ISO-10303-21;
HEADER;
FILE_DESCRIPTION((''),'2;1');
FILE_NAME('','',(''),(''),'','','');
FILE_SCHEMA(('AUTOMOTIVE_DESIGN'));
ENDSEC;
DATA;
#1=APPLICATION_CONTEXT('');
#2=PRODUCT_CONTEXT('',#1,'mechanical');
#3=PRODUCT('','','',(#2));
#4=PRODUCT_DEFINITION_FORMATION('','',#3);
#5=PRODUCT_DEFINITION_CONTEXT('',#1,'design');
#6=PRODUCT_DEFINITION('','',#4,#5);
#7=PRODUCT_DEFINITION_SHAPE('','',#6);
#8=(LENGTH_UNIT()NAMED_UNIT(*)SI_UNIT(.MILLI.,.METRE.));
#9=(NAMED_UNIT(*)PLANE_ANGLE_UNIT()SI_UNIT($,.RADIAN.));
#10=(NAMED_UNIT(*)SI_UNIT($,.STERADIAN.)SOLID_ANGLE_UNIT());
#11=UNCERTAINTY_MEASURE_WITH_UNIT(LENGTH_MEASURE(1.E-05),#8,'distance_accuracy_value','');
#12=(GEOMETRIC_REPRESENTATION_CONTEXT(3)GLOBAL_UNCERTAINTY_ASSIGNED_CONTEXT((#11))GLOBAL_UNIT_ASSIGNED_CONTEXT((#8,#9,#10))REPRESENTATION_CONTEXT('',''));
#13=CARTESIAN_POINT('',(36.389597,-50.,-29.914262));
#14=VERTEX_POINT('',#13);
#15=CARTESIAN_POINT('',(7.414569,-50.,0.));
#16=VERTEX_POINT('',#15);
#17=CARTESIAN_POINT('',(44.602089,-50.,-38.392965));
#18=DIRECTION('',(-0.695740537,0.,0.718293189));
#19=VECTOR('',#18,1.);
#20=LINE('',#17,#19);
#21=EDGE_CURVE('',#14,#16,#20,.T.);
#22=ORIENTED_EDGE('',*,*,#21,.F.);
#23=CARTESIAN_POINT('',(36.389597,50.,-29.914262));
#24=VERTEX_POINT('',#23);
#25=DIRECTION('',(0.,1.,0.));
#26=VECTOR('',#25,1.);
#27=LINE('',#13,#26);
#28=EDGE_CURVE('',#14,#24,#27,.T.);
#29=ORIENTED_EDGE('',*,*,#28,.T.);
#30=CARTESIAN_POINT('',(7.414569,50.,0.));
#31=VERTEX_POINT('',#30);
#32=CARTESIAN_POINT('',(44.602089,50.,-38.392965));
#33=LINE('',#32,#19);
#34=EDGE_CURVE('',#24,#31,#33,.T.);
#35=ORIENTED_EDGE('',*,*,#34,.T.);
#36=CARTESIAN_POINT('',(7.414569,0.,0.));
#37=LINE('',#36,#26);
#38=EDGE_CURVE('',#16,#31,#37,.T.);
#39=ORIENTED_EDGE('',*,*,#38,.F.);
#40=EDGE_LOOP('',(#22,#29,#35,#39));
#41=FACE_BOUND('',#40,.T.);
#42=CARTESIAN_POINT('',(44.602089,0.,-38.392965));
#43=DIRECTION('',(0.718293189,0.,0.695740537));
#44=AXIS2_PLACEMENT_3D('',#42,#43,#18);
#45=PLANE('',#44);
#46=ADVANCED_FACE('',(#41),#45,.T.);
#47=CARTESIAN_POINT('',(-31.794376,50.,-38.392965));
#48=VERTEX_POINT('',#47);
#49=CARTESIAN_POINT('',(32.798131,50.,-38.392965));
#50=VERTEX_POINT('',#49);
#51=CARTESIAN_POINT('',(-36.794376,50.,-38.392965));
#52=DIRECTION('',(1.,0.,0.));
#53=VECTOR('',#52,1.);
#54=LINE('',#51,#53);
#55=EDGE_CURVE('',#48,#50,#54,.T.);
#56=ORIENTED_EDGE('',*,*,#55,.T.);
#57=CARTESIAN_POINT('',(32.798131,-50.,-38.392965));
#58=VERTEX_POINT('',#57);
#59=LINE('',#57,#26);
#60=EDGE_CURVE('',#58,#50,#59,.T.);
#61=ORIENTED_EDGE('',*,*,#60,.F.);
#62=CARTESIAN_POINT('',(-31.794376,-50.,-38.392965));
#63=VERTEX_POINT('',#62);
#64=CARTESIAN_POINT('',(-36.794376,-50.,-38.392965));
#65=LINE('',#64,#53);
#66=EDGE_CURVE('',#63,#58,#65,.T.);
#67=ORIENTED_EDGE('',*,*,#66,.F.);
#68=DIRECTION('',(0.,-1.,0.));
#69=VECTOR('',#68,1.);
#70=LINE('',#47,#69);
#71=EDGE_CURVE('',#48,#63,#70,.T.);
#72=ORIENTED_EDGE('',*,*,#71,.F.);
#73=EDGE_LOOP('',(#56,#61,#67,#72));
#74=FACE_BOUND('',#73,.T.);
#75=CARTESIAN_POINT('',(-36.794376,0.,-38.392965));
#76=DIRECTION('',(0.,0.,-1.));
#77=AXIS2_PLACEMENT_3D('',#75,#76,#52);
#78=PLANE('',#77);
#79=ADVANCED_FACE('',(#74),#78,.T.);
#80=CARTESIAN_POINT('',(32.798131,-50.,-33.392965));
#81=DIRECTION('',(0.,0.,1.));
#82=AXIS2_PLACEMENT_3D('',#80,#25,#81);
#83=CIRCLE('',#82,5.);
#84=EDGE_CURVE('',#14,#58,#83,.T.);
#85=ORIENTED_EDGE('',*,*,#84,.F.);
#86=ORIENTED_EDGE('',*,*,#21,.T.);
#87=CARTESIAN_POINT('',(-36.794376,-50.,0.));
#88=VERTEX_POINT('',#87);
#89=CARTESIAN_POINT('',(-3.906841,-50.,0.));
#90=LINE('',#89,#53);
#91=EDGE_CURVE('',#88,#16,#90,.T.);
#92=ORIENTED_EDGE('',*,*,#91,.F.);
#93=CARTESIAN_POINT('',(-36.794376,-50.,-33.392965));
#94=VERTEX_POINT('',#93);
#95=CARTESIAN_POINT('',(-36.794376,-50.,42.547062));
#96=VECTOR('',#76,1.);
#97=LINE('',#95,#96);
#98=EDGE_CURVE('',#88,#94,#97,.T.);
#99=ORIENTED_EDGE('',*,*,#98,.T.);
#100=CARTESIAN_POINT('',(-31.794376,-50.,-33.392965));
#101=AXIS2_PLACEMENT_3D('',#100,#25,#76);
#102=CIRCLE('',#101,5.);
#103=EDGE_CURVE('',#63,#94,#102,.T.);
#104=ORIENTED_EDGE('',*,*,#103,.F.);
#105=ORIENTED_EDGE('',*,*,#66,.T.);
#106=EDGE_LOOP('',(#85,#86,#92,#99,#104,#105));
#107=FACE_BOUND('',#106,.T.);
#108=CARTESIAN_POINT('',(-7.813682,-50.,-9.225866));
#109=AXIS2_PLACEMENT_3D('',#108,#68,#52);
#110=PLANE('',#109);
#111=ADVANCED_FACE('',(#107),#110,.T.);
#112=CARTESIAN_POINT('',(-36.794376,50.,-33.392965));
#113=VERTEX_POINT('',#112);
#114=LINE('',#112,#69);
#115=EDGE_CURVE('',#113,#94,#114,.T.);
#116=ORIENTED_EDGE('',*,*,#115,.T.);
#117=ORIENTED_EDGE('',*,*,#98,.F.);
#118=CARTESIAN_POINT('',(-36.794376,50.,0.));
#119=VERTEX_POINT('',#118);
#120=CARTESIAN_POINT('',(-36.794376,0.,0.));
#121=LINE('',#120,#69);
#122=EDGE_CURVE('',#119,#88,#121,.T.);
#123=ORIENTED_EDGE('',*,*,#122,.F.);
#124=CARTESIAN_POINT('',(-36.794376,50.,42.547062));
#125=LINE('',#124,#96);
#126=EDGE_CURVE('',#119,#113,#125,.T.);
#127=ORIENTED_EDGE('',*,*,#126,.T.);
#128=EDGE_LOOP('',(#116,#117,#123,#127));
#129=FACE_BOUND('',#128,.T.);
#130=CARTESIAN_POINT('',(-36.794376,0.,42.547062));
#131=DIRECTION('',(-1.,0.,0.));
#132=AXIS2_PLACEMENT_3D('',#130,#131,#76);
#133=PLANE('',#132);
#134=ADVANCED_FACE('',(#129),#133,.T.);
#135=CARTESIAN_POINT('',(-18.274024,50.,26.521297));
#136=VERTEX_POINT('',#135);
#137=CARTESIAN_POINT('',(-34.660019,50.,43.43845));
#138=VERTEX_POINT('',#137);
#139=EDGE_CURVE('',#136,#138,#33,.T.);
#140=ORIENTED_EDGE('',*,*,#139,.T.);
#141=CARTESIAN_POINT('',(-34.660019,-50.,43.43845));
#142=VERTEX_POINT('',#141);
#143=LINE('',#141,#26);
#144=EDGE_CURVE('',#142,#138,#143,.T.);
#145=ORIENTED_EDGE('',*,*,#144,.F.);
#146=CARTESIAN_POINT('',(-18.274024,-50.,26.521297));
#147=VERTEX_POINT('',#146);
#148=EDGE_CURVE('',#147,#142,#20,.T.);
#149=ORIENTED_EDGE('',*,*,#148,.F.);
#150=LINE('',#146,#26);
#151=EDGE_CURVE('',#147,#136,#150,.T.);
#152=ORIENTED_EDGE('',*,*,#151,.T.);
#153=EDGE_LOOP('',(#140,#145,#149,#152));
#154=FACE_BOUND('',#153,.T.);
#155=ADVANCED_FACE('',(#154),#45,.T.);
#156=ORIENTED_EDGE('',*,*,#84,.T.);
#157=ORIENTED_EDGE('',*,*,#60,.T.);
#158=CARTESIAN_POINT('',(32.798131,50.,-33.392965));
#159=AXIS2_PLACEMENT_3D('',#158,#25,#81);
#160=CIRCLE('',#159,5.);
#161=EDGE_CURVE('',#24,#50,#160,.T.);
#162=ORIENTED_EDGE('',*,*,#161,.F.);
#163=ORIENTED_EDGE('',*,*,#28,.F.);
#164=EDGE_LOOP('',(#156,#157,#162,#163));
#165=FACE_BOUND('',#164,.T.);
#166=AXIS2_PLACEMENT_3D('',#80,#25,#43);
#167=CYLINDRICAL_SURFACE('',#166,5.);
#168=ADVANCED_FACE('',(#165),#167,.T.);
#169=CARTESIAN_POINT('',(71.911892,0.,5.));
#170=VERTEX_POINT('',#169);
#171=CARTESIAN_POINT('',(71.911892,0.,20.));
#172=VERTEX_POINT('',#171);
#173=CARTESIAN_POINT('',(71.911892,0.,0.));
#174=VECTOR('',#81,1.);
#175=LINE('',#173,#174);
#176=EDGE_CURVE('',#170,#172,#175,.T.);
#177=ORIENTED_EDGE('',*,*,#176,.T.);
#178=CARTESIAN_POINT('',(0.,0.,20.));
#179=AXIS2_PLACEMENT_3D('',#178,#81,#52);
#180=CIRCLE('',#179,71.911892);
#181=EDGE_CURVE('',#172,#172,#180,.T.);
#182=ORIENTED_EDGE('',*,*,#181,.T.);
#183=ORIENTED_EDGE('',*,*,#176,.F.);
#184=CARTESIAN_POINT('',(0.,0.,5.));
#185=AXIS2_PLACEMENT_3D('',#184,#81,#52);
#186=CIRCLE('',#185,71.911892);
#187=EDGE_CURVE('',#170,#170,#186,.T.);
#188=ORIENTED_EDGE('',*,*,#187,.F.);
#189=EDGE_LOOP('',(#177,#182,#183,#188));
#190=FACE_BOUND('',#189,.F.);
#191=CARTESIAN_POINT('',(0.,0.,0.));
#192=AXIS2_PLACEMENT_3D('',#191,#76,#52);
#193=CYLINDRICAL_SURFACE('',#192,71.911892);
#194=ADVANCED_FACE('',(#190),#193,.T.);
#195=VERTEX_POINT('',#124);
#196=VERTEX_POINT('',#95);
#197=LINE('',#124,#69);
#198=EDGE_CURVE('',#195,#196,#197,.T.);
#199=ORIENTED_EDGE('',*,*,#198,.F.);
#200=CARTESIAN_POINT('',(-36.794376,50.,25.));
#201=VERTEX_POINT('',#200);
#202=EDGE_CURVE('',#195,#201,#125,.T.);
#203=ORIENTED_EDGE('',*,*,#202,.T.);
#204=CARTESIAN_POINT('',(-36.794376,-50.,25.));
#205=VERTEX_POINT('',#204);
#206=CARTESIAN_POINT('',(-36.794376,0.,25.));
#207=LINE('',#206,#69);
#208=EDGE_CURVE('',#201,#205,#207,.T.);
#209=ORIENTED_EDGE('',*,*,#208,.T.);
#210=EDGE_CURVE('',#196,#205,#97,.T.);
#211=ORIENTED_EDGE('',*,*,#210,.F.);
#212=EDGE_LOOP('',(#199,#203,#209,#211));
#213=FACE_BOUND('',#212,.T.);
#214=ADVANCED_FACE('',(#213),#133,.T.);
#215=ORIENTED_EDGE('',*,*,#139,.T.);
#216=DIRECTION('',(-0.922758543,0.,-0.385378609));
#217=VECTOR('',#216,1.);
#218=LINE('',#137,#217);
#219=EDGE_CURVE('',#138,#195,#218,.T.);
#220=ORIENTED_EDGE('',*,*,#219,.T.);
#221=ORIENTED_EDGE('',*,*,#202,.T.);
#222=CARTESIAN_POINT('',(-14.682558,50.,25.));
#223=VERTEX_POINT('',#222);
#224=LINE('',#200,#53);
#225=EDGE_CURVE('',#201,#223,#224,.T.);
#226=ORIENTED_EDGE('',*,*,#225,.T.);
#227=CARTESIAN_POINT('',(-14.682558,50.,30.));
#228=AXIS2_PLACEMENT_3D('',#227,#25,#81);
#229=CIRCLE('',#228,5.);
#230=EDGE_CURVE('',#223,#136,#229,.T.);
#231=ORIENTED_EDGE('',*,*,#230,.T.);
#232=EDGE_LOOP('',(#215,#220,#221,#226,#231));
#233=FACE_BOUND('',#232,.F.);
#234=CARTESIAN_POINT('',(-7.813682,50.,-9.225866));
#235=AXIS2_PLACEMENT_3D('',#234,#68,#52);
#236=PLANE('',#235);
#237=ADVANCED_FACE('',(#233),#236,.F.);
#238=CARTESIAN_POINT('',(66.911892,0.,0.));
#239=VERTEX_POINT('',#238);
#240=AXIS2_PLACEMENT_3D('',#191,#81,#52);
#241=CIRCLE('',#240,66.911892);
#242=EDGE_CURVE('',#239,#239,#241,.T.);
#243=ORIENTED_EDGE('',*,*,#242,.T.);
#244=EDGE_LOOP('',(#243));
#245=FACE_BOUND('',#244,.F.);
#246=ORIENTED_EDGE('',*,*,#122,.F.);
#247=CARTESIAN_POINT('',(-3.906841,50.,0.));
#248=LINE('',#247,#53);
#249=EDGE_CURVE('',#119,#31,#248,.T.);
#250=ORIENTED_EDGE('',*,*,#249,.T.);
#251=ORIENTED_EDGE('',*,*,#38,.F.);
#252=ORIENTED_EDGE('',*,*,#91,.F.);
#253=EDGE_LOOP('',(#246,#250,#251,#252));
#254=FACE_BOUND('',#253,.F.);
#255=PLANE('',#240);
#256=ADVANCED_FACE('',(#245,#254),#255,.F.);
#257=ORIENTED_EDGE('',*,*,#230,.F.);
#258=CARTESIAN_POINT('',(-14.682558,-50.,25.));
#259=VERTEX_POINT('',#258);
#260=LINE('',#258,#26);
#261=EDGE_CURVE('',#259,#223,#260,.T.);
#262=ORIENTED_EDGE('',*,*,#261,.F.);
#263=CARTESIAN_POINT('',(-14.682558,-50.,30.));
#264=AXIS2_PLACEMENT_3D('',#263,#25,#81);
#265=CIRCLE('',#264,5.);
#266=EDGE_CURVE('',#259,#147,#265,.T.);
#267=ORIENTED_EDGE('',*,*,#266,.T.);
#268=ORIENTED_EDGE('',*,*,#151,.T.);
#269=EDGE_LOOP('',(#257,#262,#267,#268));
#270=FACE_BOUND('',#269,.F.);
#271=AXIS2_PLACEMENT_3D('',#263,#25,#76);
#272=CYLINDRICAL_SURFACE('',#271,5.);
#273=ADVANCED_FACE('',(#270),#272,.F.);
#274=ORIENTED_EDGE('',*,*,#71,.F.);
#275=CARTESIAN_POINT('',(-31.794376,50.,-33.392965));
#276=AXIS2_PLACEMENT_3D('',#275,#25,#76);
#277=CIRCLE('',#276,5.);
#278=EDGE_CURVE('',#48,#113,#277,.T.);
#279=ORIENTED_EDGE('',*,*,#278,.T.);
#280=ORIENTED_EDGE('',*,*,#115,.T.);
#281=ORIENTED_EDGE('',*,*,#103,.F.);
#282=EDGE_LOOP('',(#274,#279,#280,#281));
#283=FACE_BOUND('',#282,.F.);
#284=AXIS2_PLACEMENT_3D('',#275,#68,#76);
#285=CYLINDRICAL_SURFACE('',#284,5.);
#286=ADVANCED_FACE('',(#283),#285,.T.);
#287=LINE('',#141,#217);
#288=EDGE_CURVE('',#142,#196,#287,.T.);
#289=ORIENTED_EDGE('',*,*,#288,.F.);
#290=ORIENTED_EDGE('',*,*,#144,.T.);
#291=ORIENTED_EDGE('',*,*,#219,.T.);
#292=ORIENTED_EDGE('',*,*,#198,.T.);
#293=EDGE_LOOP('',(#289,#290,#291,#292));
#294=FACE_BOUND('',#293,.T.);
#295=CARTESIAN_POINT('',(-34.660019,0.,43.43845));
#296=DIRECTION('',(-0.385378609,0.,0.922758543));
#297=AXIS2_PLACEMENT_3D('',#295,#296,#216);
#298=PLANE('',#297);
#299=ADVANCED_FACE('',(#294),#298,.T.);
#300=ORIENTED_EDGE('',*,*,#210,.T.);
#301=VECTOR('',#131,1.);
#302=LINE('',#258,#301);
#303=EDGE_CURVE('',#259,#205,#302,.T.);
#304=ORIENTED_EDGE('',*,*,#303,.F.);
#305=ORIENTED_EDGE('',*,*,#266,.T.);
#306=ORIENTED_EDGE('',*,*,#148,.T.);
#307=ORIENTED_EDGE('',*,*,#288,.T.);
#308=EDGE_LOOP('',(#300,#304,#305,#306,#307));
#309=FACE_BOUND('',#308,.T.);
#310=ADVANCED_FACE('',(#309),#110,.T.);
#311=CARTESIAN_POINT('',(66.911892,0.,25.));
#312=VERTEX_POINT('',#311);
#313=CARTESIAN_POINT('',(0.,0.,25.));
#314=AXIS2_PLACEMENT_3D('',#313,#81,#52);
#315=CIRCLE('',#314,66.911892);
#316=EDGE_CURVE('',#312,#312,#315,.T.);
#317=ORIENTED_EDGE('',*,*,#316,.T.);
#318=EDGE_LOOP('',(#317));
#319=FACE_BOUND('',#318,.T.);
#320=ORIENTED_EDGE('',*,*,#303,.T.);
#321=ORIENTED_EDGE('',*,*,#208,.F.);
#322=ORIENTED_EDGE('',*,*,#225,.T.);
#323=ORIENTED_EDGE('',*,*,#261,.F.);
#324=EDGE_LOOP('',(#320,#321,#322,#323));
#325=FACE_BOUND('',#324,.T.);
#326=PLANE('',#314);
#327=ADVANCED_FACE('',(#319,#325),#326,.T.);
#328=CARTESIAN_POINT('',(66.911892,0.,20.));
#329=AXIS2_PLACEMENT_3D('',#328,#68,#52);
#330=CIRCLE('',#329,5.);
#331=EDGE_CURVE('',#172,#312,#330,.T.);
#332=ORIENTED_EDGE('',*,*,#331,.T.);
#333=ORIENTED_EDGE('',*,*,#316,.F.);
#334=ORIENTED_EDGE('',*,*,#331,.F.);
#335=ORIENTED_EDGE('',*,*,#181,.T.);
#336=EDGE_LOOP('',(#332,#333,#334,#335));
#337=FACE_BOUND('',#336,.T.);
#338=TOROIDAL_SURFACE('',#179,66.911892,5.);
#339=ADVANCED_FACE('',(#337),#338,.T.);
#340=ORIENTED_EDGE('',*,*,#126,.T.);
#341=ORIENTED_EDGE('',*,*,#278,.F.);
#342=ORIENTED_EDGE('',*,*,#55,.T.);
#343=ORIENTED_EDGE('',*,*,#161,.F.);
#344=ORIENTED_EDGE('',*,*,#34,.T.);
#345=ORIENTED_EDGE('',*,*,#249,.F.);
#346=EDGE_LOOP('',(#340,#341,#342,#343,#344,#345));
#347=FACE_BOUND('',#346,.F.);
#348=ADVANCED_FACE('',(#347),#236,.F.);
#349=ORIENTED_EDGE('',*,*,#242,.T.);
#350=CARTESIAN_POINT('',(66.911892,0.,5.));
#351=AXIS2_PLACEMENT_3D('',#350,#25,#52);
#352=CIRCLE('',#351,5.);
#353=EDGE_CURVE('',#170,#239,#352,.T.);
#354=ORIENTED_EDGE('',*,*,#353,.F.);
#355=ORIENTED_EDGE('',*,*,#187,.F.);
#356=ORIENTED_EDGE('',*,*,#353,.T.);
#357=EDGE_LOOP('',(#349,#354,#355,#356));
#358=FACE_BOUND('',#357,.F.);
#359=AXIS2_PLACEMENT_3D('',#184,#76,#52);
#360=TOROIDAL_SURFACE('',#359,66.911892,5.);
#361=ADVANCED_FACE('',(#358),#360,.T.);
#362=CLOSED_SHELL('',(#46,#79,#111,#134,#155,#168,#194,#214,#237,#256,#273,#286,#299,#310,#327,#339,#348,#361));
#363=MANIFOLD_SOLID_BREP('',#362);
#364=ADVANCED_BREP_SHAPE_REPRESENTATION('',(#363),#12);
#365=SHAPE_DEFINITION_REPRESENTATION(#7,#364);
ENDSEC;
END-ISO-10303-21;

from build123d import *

# Parameters (mm, degrees)
F0_R     = 71.9118919296
F1_DEPTH = 25
F3_DEPTH = 50
F4_R     = 5
F5_R     = 5
F6_R     = 5
F7_R     = 5
F8_R     = 5


with BuildPart() as f1:
    # F0 (on Top) → F1 (new body)
    with BuildSketch(Plane.XY):
        Circle(F0_R)
    extrude(amount=F1_DEPTH)

    # F2 (on Front) → F3 (join, symmetric)
    with BuildSketch(Plane.XZ):
        Polygon((-34.6600189805, 43.438449502), (-36.7943756282, 42.5470620394), (-36.7943756282, -38.3929647505), (44.6020886302, -38.3929647505), align=None)
    extrude(amount=F3_DEPTH, both=True)

    # F4
    f4_edges = [f1.edges().sort_by_distance(p)[0] for p in [
        (44.602089, 0, -38.392965),
    ]]
    fillet(f4_edges, radius=F4_R)

    # F5
    f5_edges = [f1.edges().sort_by_distance(p)[0] for p in [
        (-36.794376, 0, -38.392965),
    ]]
    fillet(f5_edges, radius=F5_R)

    # F6
    f6_edges = [f1.edges().sort_by_distance(p)[0] for p in [
        (-71.911892, 0, 25),
    ]]
    fillet(f6_edges, radius=F6_R)

    # F7
    f7_edges = [f1.edges().sort_by_distance(p)[0] for p in [
        (-71.911892, 0, 0),
    ]]
    fillet(f7_edges, radius=F7_R)

    # F8
    f8_edges = [f1.edges().sort_by_distance(p)[0] for p in [
        (-16.800492, 0, 25),
    ]]
    fillet(f8_edges, radius=F8_R)


solid = f1.part
